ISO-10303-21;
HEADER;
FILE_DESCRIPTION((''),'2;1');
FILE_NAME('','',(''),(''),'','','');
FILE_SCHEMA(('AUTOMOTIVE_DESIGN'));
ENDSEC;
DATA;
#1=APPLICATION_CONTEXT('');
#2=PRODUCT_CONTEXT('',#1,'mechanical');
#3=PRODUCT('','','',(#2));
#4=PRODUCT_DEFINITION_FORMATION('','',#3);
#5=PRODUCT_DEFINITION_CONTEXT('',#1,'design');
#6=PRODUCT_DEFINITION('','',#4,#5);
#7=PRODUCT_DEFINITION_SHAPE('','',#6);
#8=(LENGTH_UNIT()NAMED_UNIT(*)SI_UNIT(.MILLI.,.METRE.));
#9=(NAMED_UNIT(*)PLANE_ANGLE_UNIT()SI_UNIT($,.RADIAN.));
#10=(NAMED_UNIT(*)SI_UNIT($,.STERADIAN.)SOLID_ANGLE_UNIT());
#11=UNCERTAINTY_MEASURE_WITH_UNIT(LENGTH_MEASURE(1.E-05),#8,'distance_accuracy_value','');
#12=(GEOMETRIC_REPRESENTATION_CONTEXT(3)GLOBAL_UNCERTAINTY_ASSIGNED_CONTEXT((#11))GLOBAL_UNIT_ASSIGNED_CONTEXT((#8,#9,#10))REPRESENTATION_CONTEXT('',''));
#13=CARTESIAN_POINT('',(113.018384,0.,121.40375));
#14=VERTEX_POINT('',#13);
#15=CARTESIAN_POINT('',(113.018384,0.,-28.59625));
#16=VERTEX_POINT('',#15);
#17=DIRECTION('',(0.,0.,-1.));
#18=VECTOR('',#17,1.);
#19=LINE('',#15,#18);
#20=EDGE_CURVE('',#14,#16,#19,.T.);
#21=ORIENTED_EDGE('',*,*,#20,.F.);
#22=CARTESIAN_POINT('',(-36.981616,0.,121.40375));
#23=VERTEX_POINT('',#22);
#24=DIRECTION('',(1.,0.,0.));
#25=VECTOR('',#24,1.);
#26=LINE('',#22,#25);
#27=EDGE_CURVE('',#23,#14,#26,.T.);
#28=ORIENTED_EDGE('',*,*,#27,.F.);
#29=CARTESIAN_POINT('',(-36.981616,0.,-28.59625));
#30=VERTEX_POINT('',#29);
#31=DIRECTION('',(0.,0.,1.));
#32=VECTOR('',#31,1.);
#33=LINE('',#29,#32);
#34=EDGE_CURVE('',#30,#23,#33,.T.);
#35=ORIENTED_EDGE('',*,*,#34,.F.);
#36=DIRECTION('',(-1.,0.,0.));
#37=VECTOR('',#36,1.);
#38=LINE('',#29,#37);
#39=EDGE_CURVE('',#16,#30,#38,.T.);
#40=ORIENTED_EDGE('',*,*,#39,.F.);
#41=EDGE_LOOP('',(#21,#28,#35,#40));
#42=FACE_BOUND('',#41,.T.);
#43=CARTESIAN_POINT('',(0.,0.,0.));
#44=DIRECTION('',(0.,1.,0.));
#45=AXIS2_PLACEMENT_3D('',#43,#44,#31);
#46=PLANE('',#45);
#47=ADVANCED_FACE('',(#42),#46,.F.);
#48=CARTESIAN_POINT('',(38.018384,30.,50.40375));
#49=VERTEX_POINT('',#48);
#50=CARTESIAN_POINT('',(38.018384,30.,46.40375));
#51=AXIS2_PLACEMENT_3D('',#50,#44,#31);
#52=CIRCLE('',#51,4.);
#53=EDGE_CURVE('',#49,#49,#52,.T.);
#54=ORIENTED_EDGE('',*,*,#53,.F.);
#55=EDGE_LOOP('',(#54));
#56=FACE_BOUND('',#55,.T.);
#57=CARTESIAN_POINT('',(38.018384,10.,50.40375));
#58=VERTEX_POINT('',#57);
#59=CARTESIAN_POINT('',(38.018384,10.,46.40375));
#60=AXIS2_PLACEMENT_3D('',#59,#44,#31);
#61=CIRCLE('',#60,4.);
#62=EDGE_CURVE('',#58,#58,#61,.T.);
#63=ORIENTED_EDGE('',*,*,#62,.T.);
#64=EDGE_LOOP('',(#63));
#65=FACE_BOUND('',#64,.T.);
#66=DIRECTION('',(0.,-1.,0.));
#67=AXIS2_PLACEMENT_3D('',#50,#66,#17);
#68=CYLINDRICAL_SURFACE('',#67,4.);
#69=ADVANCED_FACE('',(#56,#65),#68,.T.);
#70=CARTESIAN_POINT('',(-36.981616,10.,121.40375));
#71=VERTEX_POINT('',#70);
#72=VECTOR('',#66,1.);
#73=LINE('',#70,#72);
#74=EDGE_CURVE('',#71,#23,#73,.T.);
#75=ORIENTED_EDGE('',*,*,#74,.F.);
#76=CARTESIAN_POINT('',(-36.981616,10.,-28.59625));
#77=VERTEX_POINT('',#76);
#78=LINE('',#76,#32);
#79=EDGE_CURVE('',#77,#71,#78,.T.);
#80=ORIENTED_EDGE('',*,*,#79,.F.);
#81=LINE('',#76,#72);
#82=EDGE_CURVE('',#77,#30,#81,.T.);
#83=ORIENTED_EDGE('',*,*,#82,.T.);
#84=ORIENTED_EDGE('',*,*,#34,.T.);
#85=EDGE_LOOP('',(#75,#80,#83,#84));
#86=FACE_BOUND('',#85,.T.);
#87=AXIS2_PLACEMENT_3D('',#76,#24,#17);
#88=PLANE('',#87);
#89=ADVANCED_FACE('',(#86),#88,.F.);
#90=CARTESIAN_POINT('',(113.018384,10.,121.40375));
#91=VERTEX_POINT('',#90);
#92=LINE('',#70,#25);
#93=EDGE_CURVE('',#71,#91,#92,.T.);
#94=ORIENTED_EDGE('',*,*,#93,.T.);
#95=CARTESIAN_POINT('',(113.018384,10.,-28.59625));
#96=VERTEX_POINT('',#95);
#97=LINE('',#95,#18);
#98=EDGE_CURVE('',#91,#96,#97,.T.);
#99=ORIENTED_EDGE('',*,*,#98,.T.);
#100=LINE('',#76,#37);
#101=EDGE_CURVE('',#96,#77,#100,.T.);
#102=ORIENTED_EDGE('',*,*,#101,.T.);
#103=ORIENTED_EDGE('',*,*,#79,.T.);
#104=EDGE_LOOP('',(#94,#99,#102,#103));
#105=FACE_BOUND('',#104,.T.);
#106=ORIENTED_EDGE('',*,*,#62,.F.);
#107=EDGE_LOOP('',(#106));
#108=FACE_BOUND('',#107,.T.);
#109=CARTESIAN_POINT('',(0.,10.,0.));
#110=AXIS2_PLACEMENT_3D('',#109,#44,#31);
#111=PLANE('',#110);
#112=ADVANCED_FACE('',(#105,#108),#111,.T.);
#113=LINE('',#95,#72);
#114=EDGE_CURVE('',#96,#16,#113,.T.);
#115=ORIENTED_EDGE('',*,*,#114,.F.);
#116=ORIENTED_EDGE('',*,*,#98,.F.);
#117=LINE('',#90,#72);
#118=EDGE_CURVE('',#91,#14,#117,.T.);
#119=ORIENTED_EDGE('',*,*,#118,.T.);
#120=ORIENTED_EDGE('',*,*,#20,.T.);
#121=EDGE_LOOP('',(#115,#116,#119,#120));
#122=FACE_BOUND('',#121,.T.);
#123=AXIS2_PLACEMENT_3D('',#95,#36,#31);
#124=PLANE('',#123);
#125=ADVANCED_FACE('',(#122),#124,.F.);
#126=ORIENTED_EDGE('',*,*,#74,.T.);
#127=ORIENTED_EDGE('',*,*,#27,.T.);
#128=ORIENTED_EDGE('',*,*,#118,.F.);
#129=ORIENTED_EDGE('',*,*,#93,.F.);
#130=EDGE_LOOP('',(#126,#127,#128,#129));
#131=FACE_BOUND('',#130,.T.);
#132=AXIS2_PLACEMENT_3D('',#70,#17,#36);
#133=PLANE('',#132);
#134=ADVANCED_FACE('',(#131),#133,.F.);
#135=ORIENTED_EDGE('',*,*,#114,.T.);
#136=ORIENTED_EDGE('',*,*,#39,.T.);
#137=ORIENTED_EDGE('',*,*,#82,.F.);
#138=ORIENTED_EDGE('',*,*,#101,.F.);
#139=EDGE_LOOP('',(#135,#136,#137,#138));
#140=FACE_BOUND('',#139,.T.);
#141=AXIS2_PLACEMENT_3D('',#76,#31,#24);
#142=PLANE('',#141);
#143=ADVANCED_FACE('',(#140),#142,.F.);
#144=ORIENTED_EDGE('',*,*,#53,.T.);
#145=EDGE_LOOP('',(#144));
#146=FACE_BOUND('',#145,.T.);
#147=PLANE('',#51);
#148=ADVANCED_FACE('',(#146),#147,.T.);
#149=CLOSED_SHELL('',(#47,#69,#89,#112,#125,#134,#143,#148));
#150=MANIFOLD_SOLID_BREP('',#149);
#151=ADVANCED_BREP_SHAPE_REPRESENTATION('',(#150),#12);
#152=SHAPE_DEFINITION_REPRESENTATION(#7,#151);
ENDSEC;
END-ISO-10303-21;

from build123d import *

# Parameters (mm, degrees)
SKETCH1_W           = 150
SKETCH1_H           = 150
BOSS_EXTRUDE1_DEPTH = 10
SKETCH4_R           = 4
BOSS_EXTRUDE3_DEPTH = 20


with BuildPart() as part:
    # Sketch1 → Boss-Extrude1 (new body)
    with BuildSketch(Plane(origin=(0, 0, 0), x_dir=(1, 0, 0), z_dir=(0, 1, 0))):
        with Locations((38.018383893, -46.403750336)):
            Rectangle(SKETCH1_W, SKETCH1_H)
    extrude(amount=BOSS_EXTRUDE1_DEPTH)

    # Sketch4 → Boss-Extrude3 (add)
    with BuildSketch(Plane(origin=(0, 10, 0), x_dir=(1, 0, 0), z_dir=(0, 1, 0))):
        with Locations(Location((38.018383893, -46.403750336, 0), (0, 0, 270))):
            Circle(SKETCH4_R)
    extrude(amount=BOSS_EXTRUDE3_DEPTH)


solid = part.part
